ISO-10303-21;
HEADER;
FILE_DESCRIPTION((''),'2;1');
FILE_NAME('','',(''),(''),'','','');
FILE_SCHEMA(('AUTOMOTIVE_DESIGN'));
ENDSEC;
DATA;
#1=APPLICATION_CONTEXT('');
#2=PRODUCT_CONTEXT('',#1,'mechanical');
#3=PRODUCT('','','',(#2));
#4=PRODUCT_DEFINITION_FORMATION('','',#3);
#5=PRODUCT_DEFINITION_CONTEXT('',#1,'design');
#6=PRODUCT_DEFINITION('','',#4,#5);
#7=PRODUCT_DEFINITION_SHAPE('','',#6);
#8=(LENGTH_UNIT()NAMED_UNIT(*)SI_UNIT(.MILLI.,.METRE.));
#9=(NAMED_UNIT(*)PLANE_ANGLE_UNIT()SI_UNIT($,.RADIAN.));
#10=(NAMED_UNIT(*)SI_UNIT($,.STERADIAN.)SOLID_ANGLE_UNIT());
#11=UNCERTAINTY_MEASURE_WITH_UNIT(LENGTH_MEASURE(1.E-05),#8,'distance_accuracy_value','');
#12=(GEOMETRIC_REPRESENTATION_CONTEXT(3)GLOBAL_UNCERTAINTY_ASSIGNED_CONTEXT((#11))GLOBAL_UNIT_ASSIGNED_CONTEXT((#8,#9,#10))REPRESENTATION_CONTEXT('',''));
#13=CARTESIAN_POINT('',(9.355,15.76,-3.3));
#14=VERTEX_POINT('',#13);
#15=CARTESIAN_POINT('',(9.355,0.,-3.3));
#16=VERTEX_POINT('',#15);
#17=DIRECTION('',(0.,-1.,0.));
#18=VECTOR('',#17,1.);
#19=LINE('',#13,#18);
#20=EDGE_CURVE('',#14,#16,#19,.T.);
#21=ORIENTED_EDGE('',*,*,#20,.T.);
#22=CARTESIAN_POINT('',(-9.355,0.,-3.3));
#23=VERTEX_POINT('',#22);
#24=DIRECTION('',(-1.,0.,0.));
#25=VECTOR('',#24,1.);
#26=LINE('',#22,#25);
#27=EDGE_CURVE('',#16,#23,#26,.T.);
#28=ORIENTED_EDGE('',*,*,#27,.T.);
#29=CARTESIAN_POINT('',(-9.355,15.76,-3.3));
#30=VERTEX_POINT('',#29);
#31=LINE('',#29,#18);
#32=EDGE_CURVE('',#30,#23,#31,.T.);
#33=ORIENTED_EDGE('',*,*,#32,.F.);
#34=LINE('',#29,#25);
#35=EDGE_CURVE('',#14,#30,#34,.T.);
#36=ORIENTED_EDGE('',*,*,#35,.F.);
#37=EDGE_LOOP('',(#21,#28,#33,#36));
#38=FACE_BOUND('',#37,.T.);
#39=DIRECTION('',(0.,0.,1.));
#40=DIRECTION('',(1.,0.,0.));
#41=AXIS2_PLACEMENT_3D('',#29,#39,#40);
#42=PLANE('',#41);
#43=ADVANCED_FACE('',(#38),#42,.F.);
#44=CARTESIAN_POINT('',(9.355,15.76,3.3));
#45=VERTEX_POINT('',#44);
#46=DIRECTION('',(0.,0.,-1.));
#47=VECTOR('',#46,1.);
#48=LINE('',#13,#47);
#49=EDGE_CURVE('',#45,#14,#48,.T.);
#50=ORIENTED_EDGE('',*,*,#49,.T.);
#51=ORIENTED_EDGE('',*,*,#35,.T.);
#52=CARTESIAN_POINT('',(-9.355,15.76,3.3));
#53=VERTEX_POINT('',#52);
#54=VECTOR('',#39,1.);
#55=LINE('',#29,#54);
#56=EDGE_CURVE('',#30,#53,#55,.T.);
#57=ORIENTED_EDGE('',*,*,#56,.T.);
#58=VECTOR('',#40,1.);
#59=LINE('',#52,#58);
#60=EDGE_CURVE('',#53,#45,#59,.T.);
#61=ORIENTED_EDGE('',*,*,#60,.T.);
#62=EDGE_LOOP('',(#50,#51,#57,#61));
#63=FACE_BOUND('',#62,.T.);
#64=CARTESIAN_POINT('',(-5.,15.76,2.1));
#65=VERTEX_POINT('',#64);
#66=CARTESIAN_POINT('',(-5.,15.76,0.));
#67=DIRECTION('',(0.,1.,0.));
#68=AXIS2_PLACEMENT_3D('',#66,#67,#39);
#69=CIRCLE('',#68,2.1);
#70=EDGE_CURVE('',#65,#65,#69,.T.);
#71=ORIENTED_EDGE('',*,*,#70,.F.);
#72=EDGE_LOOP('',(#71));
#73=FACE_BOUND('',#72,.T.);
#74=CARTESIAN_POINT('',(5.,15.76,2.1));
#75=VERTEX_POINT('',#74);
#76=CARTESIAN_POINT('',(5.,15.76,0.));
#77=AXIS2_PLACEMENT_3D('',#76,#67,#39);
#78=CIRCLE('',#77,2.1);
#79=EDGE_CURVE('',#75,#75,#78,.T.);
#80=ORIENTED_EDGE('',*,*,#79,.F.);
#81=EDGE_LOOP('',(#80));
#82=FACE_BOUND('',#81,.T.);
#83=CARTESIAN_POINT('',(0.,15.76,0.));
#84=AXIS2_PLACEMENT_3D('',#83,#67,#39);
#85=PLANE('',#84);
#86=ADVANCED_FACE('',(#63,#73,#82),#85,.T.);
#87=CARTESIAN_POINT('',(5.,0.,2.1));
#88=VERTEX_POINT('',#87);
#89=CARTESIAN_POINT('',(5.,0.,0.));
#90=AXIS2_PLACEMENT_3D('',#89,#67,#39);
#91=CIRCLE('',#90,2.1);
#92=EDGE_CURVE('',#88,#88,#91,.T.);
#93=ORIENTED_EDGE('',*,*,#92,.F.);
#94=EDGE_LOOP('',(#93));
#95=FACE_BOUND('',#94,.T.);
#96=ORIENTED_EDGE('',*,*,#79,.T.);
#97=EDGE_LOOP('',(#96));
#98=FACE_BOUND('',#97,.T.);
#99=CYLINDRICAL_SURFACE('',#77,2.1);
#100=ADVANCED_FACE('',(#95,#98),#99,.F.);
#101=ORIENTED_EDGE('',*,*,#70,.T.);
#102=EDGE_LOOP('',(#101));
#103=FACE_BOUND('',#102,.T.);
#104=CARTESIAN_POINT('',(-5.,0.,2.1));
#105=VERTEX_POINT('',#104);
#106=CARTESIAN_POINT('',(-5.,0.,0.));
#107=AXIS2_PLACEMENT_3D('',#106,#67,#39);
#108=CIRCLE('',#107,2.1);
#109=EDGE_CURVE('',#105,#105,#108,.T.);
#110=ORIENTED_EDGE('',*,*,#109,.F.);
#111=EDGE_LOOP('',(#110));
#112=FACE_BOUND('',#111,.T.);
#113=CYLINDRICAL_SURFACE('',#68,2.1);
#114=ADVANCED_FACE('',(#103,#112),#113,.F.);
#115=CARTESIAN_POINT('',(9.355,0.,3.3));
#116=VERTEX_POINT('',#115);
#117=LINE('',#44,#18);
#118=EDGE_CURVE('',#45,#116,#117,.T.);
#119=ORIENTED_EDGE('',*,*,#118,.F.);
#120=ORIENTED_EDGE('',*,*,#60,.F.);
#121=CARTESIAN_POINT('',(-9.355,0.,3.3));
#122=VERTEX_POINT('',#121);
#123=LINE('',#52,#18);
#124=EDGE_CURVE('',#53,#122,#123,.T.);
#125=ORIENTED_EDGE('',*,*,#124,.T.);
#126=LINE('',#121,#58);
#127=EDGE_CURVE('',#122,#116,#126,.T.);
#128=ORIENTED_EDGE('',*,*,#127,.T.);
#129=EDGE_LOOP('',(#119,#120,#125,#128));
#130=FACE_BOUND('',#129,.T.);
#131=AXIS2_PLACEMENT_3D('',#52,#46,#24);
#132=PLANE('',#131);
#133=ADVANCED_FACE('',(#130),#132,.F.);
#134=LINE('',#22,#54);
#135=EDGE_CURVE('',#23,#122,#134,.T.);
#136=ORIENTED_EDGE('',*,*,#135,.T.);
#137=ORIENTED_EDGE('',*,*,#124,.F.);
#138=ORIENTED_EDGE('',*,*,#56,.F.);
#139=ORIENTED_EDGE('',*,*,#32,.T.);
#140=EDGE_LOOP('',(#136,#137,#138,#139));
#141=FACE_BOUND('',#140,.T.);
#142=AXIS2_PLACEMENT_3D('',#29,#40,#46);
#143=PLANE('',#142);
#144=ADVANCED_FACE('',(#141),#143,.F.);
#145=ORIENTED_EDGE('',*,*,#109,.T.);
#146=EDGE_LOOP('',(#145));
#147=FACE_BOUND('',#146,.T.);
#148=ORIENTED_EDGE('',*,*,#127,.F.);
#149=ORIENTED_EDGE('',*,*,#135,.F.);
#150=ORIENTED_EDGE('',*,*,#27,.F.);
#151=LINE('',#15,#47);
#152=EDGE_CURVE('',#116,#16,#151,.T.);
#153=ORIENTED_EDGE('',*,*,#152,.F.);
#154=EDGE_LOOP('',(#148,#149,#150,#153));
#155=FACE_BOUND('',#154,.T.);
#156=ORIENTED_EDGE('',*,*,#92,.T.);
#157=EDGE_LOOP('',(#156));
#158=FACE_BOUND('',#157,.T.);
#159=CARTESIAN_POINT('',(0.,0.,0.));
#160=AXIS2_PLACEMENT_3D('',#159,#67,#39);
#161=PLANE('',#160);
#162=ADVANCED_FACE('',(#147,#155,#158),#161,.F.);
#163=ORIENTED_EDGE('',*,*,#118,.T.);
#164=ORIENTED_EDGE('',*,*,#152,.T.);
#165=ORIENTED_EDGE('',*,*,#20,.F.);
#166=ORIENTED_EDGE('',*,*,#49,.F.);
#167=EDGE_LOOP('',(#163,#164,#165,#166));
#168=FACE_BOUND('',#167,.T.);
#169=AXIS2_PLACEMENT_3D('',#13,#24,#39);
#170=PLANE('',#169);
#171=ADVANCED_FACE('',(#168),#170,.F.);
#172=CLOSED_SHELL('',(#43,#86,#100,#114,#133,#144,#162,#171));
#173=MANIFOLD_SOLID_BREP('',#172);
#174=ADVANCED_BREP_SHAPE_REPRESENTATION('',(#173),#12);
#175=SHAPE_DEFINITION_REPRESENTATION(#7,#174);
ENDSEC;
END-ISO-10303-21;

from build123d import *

# Parameters (mm, degrees)
SKETCH1_W             = 18.71
SKETCH1_H             = 6.6
BOSS_EXTRUDE1_DEPTH   = 15.76
M5X0_8_TAPPED_HOLE1_D = 4.2


with BuildPart() as part:
    # Sketch1 → Boss-Extrude1 (new body)
    with BuildSketch(Plane(origin=(0, 0, 0), x_dir=(1, 0, 0), z_dir=(0, 1, 0))):
        Rectangle(SKETCH1_W, SKETCH1_H)
    extrude(amount=BOSS_EXTRUDE1_DEPTH)

    # M5x0.8 Tapped Hole1 (through all)
    with Locations(Plane(origin=(0, 15.76, 0), x_dir=(1, 0, 0), z_dir=(0, 1, 0))):
        with Locations((5, 0), (-5, 0)):
            Hole(M5X0_8_TAPPED_HOLE1_D / 2)


solid = part.part
